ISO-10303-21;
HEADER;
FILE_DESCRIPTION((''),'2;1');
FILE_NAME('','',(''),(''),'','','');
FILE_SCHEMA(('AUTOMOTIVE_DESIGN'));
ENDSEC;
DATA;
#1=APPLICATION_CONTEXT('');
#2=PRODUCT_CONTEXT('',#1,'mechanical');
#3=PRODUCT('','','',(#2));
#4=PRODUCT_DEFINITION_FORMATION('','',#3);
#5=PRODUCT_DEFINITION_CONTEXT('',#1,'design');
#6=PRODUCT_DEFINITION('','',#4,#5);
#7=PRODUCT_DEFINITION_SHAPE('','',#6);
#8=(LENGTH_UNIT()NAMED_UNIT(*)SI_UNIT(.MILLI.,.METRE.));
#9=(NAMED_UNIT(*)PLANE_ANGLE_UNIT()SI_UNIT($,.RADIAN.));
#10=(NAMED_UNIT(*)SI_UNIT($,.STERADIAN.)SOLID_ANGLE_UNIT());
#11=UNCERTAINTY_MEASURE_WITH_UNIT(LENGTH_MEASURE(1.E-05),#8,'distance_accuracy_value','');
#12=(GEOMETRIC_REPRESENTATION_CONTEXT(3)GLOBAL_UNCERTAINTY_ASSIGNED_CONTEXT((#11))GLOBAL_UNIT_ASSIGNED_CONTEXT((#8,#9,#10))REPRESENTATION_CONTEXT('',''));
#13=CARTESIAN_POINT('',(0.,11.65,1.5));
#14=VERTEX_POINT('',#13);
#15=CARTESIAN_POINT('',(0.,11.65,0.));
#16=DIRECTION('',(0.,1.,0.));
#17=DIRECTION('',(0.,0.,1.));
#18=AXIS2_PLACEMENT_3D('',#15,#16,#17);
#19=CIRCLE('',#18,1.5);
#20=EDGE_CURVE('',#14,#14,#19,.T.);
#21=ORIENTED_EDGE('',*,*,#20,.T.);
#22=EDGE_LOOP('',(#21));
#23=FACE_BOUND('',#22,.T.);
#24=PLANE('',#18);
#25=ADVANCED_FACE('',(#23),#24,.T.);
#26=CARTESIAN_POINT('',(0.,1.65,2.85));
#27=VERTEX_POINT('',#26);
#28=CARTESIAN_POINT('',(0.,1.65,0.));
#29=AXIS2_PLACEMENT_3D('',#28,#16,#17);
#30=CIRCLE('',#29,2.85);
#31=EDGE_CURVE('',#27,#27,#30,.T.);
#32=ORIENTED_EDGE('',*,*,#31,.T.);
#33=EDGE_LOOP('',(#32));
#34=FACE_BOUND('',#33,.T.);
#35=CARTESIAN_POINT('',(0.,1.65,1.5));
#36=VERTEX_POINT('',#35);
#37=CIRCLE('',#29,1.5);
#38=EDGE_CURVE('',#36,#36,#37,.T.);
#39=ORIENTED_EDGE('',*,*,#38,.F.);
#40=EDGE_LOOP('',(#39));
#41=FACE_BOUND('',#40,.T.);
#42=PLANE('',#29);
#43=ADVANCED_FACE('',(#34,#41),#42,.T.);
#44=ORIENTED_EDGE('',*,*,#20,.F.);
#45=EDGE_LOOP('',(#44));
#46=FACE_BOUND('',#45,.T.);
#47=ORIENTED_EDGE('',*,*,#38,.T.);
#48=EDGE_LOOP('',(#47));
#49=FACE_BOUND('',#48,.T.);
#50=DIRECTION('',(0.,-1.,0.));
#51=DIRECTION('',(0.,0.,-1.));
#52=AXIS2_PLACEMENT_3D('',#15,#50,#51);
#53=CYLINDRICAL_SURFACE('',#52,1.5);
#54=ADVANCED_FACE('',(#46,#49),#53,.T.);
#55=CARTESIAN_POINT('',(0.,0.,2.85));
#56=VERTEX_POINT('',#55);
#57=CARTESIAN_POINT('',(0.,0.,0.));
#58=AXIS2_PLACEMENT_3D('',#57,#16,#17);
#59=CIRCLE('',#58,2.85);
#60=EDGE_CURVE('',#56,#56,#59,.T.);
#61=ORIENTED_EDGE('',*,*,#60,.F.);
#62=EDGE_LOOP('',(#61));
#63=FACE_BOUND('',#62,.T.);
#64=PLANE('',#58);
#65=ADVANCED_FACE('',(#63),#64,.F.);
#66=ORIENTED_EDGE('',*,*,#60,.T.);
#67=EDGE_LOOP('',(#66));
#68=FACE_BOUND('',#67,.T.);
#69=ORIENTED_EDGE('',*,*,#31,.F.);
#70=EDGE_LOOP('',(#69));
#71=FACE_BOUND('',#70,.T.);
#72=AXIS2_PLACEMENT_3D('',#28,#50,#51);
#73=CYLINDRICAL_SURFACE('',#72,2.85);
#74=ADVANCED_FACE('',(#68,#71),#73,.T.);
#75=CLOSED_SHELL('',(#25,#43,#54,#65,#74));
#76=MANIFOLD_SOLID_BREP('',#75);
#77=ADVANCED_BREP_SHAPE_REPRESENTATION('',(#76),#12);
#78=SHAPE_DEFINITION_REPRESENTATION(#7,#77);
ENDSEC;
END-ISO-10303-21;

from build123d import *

# Parameters (mm, degrees)
SKETCH_1_R      = 2.85
EXTRUDE_1_DEPTH = 1.65
SKETCH_2_R      = 1.5
EXTRUDE_2_DEPTH = 10


with BuildPart() as part:
    # 草图1 → 凸台-拉伸1 (new body)
    with BuildSketch(Plane(origin=(0, 0, 0), x_dir=(1, 0, 0), z_dir=(0, 1, 0))):
        with Locations(Location((0, 0, 0), (0, 0, 270))):
            Circle(SKETCH_1_R)
    extrude(amount=EXTRUDE_1_DEPTH)

    # 草图2 → 凸台-拉伸2 (add)
    with BuildSketch(Plane(origin=(0, 1.65, 0), x_dir=(1, 0, 0), z_dir=(0, 1, 0))):
        with Locations(Location((0, 0, 0), (0, 0, 270))):
            Circle(SKETCH_2_R)
    extrude(amount=EXTRUDE_2_DEPTH)


solid = part.part
